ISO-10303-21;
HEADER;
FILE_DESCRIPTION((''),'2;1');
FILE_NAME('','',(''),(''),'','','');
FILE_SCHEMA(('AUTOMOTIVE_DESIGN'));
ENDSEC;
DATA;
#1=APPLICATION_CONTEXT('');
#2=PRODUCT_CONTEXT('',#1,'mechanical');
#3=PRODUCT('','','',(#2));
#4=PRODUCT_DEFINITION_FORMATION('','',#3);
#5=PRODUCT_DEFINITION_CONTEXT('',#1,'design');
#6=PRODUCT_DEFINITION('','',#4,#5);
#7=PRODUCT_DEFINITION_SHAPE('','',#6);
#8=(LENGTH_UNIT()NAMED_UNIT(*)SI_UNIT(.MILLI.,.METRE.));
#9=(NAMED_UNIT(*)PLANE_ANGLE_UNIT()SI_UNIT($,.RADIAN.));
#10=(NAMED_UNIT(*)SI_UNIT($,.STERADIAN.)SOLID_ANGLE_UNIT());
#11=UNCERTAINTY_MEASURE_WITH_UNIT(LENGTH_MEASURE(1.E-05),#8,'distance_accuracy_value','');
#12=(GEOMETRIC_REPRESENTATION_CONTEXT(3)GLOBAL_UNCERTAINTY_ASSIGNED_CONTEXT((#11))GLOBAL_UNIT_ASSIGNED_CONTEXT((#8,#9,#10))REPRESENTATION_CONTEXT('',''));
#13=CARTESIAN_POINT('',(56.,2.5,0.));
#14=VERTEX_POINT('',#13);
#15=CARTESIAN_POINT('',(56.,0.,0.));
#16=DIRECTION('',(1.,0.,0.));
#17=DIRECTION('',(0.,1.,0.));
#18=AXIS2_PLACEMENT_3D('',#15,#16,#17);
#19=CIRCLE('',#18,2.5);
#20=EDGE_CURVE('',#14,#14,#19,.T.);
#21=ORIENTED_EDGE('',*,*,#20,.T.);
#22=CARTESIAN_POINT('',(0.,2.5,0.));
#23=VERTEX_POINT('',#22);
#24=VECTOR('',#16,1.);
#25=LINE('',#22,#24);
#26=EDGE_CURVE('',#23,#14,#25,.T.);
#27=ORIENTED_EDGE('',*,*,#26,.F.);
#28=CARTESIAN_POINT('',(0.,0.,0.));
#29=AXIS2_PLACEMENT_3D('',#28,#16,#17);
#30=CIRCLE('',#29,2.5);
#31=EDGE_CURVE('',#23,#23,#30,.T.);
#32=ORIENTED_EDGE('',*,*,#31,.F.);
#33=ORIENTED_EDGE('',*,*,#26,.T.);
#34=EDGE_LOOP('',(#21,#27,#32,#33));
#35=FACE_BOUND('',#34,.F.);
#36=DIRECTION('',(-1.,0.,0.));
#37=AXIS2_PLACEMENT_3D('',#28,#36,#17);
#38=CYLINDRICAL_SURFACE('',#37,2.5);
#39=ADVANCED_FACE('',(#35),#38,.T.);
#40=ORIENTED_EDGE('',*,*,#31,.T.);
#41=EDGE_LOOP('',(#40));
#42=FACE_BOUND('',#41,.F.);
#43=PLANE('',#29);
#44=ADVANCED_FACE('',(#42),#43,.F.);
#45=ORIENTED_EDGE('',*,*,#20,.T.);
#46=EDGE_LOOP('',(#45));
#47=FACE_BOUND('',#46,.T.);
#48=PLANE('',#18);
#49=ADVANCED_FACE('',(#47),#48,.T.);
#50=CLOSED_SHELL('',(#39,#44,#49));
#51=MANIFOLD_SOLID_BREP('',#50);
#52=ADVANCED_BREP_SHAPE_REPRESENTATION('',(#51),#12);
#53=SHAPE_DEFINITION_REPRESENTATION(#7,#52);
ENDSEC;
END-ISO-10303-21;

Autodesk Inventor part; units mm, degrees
ref_plane "YZ Plane" through (0, 0, 0) normal (1, 0, 0) x (0, 1, 0)
ref_plane "XZ Plane" through (0, 0, 0) normal (0, 1, 0) x (-1, 0, 0)
ref_plane "XY Plane" through (0, 0, 0) normal (0, 0, 1) x (1, 0, 0)
sketch "Sketch1" plane through (0, 0, 0) normal (1, 0, 0) x (0, 1, 0)
  circle A0 centre (0, 0) radius 2.5
  dimension "d0" = 5
extrude "Extrusion1" add sketch "Sketch1" along normal blind 56
properties part number "Aluminum_Rod"
